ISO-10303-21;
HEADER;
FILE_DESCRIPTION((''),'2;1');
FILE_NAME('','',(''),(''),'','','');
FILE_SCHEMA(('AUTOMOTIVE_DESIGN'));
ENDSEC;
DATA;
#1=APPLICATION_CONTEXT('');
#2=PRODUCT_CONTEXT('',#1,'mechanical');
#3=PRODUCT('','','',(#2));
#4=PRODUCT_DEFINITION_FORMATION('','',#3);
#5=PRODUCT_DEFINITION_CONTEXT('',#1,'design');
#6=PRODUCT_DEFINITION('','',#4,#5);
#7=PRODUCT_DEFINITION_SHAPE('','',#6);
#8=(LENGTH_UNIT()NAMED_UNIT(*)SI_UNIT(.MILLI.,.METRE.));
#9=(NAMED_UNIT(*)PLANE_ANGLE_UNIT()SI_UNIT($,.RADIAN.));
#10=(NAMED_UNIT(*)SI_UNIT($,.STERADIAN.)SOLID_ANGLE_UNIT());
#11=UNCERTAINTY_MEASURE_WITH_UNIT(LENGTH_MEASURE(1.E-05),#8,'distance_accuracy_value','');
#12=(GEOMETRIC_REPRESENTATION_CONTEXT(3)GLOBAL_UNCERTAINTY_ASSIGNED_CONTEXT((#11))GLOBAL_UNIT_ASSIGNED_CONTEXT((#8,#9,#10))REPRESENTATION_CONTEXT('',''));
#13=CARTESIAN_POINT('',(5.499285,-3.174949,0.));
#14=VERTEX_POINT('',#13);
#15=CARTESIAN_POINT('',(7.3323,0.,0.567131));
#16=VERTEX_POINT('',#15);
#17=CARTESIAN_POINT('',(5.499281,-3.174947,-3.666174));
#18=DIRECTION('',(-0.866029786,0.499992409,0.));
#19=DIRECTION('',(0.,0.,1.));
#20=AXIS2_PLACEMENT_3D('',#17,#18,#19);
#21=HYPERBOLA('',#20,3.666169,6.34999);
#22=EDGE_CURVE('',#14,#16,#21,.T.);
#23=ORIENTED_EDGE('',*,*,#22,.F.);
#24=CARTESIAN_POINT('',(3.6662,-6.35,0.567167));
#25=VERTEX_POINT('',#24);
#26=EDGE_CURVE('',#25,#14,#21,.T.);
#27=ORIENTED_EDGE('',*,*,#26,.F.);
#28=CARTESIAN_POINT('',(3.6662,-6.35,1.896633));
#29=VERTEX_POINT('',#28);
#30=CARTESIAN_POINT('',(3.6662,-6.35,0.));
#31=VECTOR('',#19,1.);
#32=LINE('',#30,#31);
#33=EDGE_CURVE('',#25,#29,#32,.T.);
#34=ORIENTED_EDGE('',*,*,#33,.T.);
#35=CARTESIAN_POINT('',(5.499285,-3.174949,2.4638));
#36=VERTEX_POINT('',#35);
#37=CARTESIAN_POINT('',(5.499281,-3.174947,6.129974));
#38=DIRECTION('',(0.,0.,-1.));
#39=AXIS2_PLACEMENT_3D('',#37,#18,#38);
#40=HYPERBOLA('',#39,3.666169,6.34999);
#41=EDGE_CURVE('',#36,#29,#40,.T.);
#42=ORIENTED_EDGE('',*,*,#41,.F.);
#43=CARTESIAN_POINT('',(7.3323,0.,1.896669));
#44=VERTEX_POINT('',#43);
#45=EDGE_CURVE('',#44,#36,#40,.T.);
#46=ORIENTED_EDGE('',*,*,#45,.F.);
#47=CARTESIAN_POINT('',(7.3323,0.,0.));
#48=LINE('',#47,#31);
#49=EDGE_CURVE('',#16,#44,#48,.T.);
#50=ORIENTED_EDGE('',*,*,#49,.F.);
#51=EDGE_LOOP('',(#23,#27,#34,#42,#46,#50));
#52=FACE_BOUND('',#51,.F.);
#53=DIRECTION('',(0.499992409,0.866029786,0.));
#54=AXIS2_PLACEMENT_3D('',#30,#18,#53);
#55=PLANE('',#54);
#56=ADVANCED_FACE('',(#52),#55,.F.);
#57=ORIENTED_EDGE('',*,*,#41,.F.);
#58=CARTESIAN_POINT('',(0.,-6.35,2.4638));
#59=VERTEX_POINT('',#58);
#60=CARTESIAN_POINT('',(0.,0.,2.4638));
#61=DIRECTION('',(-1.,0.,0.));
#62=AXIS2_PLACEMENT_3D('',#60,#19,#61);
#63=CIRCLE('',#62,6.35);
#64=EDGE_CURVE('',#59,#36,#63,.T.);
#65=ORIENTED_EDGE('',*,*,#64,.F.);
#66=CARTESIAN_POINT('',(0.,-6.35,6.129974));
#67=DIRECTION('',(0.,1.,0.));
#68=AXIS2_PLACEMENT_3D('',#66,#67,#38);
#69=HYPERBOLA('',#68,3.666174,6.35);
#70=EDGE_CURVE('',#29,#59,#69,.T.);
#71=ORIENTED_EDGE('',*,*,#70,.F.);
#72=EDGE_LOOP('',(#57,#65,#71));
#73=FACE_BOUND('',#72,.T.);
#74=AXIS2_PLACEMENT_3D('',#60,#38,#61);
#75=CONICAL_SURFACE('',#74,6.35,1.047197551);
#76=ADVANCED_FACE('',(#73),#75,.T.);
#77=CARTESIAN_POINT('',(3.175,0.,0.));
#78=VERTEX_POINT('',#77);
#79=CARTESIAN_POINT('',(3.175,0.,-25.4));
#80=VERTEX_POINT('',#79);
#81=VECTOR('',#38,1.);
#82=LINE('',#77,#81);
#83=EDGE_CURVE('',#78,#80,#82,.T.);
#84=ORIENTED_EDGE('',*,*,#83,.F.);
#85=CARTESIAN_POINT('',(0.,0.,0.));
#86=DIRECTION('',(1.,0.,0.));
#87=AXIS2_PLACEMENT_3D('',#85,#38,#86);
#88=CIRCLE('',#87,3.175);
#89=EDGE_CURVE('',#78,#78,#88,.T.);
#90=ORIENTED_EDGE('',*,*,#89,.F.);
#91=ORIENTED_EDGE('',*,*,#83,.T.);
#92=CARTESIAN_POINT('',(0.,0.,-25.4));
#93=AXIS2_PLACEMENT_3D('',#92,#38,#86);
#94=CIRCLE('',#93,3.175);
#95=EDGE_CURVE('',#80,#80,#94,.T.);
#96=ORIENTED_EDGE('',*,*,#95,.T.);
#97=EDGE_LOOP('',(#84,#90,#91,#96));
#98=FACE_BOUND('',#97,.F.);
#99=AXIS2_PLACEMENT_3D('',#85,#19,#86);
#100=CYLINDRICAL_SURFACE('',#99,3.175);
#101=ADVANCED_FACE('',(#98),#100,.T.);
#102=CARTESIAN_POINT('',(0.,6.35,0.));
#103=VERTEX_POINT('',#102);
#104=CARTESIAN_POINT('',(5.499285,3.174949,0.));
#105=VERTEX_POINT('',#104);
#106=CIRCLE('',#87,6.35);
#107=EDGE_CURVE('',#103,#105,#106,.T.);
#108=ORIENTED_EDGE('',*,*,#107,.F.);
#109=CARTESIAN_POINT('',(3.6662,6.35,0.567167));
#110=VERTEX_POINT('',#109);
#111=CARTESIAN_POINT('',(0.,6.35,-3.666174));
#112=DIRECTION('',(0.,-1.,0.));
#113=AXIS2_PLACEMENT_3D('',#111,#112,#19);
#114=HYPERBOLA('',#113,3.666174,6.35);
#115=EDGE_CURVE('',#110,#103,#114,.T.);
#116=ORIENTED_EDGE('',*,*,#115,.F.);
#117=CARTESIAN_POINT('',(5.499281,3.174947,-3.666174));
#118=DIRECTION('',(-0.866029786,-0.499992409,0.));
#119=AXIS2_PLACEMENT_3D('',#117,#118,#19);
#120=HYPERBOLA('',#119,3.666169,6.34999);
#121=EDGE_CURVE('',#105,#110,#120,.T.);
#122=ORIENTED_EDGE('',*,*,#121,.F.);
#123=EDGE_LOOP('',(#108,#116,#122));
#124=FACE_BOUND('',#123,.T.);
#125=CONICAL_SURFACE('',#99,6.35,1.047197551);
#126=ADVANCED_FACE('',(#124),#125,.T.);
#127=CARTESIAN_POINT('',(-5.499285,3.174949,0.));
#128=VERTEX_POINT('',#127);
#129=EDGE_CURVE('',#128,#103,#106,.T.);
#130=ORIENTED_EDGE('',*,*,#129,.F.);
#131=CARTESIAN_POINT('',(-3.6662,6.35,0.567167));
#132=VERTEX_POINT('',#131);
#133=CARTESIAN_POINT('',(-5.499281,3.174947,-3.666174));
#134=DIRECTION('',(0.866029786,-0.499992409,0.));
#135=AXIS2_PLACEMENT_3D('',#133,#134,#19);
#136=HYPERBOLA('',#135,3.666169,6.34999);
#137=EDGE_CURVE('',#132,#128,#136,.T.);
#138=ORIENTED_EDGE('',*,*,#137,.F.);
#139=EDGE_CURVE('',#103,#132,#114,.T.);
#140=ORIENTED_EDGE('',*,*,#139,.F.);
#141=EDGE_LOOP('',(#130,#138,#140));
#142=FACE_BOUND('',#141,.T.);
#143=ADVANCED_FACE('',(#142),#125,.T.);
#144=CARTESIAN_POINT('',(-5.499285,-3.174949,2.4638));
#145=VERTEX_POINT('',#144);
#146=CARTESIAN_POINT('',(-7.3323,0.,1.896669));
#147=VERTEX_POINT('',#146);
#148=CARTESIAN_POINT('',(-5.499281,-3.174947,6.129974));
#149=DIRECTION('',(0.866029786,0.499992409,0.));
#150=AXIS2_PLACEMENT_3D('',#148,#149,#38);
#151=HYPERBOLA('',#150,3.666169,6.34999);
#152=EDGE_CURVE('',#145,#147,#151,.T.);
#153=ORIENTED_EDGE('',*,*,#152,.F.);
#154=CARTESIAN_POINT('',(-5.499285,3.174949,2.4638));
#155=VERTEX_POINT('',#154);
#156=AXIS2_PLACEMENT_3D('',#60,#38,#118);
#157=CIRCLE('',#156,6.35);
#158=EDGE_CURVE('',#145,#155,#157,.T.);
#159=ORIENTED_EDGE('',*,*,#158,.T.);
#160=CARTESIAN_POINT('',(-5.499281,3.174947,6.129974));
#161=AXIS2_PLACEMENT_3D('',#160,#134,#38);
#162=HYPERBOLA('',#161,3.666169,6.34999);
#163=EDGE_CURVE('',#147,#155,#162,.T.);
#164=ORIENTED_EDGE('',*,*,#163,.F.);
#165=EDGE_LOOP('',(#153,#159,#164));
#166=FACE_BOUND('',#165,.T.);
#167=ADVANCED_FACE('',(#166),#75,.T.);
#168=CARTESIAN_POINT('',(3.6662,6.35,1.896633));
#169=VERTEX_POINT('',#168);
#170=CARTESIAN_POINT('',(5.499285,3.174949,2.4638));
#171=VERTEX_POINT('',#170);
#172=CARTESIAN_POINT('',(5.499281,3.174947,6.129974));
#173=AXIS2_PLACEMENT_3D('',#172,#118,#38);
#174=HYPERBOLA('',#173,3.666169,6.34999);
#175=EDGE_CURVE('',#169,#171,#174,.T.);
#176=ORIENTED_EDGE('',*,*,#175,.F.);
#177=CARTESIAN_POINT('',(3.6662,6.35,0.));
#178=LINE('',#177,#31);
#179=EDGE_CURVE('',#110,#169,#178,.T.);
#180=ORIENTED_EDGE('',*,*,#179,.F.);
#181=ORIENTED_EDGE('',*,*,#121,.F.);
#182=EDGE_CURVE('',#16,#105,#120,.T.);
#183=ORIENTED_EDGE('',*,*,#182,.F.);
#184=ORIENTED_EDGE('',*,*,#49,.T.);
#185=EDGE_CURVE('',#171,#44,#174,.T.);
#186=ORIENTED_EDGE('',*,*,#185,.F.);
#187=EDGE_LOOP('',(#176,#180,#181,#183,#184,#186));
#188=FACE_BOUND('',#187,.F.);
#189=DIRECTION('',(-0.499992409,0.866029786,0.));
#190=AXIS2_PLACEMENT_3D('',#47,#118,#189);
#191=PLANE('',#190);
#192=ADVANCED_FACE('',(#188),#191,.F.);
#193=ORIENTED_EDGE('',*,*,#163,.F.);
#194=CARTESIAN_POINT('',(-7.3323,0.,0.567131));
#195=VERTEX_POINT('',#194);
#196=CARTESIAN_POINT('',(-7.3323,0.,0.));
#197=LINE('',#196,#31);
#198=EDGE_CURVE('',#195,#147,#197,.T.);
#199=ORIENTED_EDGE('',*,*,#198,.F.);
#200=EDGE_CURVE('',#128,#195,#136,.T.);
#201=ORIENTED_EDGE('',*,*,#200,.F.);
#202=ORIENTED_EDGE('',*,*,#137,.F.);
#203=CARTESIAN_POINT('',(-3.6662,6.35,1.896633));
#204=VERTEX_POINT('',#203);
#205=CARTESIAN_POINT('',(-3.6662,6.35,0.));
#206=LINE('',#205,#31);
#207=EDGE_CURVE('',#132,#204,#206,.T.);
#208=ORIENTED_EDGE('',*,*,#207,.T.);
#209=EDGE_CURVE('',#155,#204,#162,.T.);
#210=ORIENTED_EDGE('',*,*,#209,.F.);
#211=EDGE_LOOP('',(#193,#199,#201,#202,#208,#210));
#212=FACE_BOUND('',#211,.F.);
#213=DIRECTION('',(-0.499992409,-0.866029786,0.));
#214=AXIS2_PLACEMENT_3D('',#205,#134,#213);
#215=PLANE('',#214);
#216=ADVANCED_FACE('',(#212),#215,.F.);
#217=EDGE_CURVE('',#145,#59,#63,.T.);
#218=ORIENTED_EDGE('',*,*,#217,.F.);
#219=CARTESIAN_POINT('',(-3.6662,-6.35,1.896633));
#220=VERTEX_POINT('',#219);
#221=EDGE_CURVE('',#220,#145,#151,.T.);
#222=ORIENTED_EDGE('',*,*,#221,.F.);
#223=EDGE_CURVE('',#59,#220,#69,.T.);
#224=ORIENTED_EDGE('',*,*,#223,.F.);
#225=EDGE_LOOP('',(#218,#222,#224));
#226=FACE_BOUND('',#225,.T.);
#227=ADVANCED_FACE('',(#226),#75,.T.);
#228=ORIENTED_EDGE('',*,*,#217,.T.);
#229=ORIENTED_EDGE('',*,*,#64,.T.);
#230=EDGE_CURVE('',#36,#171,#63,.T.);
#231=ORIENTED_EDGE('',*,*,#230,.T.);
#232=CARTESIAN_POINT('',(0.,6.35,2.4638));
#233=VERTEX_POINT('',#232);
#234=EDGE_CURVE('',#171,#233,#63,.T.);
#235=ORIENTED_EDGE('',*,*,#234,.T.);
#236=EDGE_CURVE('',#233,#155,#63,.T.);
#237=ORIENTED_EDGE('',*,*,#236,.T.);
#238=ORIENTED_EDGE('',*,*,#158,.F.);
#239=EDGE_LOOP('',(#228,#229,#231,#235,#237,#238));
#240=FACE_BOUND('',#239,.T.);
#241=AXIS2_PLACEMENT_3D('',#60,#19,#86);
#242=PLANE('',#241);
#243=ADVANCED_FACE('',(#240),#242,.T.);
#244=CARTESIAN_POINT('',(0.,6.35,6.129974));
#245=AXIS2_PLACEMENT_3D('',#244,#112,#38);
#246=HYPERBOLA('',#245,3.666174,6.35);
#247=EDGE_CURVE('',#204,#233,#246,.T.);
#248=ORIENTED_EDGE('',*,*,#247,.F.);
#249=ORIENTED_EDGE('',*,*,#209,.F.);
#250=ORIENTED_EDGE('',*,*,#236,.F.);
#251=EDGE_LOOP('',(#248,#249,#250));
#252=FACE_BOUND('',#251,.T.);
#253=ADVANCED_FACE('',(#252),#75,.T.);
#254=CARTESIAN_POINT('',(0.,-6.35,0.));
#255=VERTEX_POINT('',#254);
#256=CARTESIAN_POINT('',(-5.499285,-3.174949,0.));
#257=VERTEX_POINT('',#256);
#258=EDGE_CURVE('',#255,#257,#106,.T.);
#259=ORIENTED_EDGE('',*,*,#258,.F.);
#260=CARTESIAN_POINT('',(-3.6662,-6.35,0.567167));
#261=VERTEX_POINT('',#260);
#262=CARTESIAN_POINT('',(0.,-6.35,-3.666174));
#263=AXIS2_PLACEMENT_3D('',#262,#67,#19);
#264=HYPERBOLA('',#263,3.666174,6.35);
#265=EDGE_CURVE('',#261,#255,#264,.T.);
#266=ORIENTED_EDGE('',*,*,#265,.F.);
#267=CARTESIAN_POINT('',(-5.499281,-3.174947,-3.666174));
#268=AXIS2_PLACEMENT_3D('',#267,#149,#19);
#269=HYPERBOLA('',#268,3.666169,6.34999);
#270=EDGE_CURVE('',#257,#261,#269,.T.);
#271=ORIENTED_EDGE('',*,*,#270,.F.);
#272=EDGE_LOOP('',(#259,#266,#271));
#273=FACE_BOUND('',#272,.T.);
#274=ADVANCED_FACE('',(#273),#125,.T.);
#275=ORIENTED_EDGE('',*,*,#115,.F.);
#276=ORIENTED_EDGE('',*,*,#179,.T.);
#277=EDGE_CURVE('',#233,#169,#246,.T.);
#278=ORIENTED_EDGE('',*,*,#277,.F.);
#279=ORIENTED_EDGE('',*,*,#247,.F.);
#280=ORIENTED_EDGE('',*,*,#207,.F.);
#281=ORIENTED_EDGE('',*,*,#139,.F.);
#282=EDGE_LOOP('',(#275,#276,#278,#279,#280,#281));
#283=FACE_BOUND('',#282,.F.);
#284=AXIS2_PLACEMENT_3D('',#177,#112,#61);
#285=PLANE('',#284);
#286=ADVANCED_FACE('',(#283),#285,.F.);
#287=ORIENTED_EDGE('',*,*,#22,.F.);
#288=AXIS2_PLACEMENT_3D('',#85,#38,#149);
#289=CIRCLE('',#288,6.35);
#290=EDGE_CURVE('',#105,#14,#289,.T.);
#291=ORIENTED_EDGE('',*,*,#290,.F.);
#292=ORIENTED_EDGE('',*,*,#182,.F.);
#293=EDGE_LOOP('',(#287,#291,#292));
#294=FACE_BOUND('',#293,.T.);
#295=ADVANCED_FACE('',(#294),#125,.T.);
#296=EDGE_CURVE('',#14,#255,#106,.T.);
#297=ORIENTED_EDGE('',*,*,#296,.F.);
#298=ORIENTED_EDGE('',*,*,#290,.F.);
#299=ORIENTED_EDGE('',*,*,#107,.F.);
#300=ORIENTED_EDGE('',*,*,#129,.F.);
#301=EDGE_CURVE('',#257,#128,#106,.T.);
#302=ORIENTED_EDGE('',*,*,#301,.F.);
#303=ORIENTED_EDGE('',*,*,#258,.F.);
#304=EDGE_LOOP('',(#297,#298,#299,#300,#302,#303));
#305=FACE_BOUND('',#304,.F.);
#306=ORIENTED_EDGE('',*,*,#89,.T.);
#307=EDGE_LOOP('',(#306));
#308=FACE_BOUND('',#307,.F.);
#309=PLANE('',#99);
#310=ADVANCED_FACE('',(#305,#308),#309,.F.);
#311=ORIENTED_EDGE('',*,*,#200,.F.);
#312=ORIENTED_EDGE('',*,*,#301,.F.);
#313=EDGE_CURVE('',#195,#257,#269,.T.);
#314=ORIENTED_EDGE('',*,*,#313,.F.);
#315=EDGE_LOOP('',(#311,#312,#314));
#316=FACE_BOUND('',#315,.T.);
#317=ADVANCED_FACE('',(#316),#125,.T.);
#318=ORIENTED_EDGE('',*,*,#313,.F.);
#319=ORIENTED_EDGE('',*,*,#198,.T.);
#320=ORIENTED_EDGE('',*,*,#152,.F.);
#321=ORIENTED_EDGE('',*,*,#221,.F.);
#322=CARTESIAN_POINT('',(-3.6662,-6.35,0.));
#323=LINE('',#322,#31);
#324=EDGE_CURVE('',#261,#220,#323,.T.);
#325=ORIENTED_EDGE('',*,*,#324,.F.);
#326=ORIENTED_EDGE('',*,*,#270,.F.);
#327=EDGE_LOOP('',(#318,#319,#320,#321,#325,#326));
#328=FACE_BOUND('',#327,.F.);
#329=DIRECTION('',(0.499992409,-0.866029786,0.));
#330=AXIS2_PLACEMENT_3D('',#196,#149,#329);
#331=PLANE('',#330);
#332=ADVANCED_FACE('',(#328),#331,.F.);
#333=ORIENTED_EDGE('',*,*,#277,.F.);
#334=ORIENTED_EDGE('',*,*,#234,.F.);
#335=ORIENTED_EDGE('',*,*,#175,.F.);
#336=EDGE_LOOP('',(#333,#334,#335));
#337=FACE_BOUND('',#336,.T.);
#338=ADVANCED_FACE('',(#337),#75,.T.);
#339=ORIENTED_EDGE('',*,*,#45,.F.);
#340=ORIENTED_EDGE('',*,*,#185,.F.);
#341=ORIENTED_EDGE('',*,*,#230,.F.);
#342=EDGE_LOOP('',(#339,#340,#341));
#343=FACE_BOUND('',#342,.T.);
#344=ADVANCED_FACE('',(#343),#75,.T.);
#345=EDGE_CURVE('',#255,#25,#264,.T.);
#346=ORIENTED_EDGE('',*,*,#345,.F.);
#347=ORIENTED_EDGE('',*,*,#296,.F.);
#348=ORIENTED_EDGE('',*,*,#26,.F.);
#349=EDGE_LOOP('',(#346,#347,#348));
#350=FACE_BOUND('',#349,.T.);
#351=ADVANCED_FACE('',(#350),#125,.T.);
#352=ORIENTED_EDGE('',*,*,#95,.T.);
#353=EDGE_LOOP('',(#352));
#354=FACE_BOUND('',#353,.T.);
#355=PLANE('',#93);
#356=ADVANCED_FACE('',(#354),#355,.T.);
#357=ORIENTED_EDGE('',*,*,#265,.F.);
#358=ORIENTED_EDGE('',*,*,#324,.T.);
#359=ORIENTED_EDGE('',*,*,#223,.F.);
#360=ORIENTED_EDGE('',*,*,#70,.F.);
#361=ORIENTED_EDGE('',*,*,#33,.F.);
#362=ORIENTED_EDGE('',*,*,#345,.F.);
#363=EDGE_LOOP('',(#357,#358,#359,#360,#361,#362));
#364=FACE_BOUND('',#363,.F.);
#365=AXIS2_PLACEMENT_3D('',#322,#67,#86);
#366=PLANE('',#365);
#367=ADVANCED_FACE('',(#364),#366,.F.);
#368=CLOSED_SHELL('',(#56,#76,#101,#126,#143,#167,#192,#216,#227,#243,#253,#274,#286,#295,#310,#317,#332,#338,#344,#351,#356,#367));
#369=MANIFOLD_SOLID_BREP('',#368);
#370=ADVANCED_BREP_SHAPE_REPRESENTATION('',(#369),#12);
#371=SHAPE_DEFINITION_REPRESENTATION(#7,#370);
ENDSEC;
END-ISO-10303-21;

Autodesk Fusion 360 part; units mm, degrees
sketch "Sketch1" plane through (0, 0, 0) normal (0, 0, 1) x (1, 0, 0)
  line L0 (-3.6662, -6.35) -> (3.6662, -6.35)
  line L1 (3.6662, -6.35) -> (7.3323, 0)
  line L2 (7.3323, 0) -> (3.6662, 6.35)
  line L3 (3.6662, 6.35) -> (-3.6662, 6.35)
  line L4 (-3.6662, 6.35) -> (-7.3323, 0)
  line L5 (-7.3323, 0) -> (-3.6662, -6.35)
  dimension "hexwidth" = 12.7
extrude "Extrude1" add sketch "Sketch1" along normal blind 2.4638
sketch "Sketch2" plane through (0, 0, 0) normal (0, 0, -1) x (1, 0, 0)
  line L0 (-3.6662, 6.35) -> (-7.3323, 0)
  line L1 (-7.3323, 0) -> (-3.6662, -6.35)
  line L2 (-3.6662, -6.35) -> (3.6662, -6.35)
  line L3 (3.6662, -6.35) -> (7.3323, 0)
  line L4 (7.3323, 0) -> (3.6662, 6.35)
  line L5 (3.6662, 6.35) -> (-3.6662, 6.35)
  circle A0 centre (0, 0) radius 3.175
  dimension "diameter" = 6.35
extrude "Extrude2" add sketch "Sketch2" along normal blind 25.4 contours A0
sketch "Sketch3" plane through (0, 0, 2.4638) normal (0, 0, 1) x (-1, 0, 0)
  line L0 (7.3323, 0) -> (3.6662, 6.35) construction
  line L1 (3.6662, 6.35) -> (-3.6662, 6.35) construction
  line L2 (-3.6662, 6.35) -> (-7.3323, 0) construction
  line L3 (-7.3323, 0) -> (-3.6662, -6.35) construction
  line L4 (-3.6662, -6.35) -> (3.6662, -6.35) construction
  line L5 (3.6662, -6.35) -> (7.3323, 0) construction
  circle A0 centre (0, 0) radius 6.35
  circle A1 centre (0, 0) radius 19.05
  dimension "d9" = 12.7
extrude "Extrude4" cut sketch "Sketch3" against normal blind 2.032 draft -60
sketch "Sketch4" plane through (0, 0, 0) normal (0, 0, -1) x (1, 0, 0)
  circle A0 centre (0, 0) radius 3.175
  line L0 (-3.6662, 6.35) -> (-7.3323, 0) construction
  line L1 (-7.3323, 0) -> (-3.6662, -6.35) construction
  line L2 (-3.6662, -6.35) -> (3.6662, -6.35) construction
  line L3 (3.6662, -6.35) -> (7.3323, 0) construction
  line L4 (7.3323, 0) -> (3.6662, 6.35) construction
  line L5 (3.6662, 6.35) -> (-3.6662, 6.35) construction
  circle A1 centre (0, 0) radius 6.35
  circle A2 centre (0, 0) radius 19.05
  dimension "d12" = 12.7
extrude "Extrude5" cut sketch "Sketch4" against normal blind 2.032 draft -60 contours A2
equation "heightmax = 0.097 in"
equation "length = 1.0 in"
equation "hexcut2 = -0.08 in"
equation "hexcut1 = -0.08 in"
